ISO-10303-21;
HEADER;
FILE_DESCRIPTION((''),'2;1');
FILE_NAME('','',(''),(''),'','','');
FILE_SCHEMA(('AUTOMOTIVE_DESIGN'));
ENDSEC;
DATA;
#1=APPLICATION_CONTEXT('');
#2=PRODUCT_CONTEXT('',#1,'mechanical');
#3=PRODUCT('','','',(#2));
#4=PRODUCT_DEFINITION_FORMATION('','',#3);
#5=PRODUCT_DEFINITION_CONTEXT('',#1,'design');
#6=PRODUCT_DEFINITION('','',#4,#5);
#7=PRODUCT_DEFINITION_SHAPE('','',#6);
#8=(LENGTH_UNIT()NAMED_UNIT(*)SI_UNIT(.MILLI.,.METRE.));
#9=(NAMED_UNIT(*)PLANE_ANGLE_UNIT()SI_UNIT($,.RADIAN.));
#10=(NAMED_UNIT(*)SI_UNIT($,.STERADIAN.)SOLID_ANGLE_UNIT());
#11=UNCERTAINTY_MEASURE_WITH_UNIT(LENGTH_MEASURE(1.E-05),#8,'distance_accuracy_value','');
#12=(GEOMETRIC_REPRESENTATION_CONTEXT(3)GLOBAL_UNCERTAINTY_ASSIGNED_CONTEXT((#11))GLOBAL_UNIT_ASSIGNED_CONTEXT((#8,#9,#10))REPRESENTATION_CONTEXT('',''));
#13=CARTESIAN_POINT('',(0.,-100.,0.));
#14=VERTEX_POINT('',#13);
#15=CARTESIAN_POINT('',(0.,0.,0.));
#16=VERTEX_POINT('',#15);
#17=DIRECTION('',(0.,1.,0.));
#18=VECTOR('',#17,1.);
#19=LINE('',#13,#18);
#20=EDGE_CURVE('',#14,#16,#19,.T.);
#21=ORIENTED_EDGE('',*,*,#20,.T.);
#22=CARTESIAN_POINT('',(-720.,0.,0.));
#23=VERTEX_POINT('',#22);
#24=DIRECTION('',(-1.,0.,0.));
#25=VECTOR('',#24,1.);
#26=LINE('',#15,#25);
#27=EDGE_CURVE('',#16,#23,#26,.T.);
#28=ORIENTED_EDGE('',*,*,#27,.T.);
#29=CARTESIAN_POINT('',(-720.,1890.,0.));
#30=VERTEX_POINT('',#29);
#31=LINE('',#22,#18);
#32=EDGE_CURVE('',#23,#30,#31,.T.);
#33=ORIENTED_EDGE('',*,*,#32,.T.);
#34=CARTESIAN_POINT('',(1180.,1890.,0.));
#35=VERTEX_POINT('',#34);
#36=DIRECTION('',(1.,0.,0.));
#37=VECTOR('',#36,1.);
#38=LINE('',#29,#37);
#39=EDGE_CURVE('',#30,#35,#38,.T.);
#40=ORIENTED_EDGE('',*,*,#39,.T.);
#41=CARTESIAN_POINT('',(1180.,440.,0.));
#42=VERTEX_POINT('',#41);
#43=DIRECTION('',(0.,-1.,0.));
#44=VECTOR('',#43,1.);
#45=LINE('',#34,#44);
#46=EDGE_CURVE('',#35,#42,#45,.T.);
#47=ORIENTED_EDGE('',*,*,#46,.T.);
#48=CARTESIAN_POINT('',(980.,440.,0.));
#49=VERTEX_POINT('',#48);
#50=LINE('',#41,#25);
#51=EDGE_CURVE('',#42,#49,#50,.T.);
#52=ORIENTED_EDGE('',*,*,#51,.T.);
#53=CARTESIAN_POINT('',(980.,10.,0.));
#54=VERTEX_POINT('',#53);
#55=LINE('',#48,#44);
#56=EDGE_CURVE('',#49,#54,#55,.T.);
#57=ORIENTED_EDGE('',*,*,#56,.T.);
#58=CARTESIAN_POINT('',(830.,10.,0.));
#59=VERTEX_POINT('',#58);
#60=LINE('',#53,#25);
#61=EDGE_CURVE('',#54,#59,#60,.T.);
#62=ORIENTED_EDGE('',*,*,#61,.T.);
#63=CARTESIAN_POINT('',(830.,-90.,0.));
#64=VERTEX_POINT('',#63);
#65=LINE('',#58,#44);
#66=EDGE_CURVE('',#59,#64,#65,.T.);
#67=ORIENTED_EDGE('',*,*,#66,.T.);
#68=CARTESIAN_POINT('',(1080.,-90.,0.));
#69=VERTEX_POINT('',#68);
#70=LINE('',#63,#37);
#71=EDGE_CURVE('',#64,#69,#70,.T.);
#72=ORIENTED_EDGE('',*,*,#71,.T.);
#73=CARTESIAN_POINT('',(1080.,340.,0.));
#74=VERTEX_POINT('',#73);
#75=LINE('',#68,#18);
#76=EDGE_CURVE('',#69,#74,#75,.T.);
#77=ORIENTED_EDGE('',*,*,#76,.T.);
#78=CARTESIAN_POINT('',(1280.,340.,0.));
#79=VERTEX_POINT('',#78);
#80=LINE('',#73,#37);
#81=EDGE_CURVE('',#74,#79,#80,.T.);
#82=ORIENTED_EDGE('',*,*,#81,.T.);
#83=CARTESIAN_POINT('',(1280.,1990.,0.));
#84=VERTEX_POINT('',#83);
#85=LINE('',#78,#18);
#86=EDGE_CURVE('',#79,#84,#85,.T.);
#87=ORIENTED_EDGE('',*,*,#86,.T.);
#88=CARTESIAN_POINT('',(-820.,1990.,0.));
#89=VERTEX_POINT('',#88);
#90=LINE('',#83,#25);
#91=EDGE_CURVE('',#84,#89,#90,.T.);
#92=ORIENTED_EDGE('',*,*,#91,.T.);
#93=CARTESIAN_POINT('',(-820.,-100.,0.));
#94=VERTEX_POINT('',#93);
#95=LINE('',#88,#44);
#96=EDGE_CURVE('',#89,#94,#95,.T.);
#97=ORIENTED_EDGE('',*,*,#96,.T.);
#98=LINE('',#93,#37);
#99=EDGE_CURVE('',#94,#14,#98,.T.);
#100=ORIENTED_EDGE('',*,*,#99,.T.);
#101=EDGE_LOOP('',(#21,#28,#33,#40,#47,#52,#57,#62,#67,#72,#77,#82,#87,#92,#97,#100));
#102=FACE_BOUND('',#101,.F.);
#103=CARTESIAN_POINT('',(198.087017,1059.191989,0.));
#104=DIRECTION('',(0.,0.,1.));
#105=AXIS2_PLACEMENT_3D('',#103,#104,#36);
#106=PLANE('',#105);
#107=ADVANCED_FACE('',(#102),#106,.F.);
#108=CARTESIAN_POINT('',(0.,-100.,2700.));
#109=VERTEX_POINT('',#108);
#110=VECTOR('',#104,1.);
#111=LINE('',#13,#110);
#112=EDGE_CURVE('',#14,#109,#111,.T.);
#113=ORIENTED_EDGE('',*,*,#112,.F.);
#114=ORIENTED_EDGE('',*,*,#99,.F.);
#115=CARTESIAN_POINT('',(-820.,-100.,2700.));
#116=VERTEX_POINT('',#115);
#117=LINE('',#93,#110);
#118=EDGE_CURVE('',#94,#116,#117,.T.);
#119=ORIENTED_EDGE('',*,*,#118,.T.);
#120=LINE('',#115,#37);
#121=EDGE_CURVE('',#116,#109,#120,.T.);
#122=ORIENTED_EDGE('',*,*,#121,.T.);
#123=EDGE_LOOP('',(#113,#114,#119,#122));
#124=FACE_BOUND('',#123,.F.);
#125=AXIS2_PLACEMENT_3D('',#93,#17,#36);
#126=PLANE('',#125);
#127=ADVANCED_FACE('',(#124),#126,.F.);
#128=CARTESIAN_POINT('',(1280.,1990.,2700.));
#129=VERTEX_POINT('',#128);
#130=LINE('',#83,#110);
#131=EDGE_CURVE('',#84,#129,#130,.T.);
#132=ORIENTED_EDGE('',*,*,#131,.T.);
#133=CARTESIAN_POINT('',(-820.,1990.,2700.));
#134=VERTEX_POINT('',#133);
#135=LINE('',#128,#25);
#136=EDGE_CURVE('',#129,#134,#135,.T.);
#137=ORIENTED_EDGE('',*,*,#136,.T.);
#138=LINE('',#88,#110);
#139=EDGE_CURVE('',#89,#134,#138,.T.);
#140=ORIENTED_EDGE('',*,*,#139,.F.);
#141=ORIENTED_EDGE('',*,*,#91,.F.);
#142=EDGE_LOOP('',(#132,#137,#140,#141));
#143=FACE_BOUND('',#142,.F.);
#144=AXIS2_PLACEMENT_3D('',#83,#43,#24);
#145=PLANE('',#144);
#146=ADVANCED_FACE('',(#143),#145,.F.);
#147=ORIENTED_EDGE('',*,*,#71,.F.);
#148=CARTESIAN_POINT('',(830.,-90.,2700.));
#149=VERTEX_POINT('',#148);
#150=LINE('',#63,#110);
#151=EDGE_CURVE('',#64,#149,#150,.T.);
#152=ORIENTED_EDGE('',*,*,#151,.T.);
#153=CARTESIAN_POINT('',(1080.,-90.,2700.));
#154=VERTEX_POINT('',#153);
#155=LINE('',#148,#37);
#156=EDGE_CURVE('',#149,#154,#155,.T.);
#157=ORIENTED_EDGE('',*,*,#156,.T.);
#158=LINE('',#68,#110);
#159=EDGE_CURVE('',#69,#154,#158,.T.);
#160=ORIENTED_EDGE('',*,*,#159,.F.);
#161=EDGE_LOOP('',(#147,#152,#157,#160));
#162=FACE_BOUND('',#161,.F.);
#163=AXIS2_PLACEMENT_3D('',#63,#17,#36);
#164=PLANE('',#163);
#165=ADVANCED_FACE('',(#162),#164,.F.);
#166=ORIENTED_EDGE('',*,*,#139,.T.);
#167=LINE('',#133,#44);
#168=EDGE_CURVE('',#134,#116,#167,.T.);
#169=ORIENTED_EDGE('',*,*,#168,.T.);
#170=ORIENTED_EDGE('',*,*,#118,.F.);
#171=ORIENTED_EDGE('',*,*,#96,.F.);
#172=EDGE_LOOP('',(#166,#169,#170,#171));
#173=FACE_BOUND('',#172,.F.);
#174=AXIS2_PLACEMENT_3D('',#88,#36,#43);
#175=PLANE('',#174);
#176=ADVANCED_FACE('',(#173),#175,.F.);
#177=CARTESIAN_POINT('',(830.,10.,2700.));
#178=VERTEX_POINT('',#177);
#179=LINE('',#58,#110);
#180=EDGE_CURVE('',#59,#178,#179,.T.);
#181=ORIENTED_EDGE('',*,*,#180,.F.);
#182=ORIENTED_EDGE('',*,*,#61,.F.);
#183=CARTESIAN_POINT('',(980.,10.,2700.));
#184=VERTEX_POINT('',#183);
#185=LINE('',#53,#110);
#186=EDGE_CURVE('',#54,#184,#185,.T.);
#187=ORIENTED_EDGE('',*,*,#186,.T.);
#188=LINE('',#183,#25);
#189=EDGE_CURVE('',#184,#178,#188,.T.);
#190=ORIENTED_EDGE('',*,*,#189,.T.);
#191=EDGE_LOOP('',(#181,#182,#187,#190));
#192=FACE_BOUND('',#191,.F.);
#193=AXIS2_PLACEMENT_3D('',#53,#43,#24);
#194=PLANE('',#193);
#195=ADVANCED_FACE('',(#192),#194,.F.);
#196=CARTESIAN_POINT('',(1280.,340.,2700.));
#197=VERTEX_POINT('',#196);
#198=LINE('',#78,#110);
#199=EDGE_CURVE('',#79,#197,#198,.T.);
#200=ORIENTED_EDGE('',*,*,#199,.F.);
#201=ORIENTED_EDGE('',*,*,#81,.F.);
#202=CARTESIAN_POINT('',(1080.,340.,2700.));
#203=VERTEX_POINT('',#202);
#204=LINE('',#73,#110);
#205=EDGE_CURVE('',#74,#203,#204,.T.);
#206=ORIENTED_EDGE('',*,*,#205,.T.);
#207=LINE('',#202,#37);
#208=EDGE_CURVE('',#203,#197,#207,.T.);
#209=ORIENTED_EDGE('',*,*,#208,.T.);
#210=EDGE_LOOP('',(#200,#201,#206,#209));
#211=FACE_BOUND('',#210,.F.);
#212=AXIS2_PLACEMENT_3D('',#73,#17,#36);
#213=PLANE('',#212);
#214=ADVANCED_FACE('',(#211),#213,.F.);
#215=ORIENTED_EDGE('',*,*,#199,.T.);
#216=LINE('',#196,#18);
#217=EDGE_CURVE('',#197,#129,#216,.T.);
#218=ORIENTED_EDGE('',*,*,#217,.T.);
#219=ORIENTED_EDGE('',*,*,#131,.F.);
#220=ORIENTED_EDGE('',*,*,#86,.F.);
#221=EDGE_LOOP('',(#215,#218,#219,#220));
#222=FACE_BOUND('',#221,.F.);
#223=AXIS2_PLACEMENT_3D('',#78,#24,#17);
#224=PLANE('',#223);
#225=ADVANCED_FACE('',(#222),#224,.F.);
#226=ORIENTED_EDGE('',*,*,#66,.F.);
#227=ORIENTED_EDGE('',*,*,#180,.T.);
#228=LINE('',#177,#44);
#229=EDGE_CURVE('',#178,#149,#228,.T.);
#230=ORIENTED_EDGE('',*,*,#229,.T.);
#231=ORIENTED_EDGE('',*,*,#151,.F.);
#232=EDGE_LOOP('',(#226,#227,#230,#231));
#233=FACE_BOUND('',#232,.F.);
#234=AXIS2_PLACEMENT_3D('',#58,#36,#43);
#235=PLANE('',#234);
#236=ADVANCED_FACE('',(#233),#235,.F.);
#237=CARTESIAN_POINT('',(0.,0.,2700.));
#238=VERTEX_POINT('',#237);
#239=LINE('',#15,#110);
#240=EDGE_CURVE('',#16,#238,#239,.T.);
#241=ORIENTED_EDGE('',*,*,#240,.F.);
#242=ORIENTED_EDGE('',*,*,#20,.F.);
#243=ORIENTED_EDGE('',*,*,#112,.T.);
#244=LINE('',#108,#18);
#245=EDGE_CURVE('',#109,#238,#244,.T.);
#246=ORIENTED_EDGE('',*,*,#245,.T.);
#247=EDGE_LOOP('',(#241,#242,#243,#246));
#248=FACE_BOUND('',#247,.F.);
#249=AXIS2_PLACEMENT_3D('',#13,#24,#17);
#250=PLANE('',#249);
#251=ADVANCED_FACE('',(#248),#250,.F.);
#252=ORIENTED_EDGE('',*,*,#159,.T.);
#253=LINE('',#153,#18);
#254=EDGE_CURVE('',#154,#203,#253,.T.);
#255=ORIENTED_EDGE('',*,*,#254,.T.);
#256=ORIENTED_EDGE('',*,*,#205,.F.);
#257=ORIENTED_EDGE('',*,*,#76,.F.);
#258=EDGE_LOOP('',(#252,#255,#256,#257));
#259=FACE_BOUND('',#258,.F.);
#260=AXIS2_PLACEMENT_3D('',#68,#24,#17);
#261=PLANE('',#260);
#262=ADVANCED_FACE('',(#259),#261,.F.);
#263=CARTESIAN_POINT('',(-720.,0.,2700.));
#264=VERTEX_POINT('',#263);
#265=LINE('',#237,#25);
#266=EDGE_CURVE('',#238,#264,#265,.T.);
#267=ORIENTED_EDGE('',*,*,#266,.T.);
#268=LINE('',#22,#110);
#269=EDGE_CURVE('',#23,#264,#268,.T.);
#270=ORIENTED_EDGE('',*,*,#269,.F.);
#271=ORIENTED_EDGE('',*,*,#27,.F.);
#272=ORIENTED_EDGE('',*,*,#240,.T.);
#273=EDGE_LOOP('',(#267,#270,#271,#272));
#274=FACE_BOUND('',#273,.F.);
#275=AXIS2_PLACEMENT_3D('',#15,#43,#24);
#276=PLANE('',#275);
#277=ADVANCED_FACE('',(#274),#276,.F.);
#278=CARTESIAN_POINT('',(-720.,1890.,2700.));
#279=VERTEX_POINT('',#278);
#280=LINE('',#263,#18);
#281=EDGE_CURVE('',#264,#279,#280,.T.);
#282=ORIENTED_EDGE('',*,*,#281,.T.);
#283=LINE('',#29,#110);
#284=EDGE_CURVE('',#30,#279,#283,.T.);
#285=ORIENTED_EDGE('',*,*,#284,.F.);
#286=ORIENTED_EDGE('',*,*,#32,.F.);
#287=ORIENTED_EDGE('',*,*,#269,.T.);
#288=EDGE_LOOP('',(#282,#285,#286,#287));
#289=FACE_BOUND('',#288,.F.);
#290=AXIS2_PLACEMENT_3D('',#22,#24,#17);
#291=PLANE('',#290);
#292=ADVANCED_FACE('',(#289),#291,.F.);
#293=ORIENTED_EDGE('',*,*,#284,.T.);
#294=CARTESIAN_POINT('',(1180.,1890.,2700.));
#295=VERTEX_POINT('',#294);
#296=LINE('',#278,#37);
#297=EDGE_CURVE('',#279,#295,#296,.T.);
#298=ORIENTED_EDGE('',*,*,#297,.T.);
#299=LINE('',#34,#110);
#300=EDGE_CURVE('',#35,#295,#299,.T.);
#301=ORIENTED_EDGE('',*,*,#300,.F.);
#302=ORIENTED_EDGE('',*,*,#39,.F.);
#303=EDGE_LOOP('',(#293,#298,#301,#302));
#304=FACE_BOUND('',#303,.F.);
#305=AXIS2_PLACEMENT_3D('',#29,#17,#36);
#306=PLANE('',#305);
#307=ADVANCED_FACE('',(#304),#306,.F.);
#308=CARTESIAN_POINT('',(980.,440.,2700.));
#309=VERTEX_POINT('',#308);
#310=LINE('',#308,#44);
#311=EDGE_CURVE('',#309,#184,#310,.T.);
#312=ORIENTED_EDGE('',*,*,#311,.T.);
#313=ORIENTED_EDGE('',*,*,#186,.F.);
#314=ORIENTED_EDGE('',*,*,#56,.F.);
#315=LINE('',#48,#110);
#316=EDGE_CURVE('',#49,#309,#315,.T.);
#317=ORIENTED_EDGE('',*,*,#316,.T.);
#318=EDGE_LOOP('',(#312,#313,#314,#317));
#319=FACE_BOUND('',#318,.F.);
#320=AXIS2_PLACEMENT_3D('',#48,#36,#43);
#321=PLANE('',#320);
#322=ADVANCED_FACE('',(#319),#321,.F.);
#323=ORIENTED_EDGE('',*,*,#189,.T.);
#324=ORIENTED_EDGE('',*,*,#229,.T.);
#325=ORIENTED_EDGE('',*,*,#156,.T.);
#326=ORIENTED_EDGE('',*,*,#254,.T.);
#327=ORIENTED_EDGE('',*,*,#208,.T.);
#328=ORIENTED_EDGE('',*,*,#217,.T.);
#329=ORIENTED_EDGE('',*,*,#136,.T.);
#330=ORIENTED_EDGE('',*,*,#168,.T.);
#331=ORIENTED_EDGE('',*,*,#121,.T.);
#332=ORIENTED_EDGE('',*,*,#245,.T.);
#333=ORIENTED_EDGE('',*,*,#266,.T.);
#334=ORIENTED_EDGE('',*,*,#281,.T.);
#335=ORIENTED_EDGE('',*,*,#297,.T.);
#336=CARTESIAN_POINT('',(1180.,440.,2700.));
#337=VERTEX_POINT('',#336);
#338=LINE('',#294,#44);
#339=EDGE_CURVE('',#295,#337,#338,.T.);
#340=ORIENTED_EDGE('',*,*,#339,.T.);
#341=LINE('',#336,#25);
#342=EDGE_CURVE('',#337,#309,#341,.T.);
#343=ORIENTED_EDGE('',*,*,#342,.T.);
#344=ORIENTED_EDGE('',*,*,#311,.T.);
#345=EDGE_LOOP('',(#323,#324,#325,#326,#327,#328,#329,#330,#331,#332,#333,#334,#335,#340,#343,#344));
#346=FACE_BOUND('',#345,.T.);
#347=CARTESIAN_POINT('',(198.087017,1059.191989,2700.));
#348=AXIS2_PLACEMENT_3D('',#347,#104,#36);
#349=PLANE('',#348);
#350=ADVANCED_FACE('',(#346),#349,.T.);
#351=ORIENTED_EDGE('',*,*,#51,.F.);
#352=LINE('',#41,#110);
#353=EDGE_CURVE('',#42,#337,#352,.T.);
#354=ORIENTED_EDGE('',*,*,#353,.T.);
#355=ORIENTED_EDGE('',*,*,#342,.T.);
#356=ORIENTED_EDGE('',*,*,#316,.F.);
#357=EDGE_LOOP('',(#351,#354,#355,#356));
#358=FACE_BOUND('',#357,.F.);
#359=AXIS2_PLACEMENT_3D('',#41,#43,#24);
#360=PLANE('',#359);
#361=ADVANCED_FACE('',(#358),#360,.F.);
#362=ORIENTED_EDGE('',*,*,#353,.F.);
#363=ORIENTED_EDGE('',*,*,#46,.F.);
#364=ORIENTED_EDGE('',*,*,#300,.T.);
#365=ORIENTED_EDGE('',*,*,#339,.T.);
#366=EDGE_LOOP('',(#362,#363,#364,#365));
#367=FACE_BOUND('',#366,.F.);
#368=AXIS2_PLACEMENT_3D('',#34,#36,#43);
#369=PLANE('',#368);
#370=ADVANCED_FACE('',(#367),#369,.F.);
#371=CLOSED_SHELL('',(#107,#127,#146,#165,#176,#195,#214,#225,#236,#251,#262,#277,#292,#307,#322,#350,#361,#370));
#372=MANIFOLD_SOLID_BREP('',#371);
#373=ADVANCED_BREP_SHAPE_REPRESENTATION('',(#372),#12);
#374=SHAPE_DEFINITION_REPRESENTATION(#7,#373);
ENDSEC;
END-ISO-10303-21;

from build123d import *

# Parameters (mm, degrees)
F1_DEPTH = 2700


with BuildPart() as f1:
    # F0 (on Top) → F1 (new body)
    with BuildSketch(Plane.XY):
        Polygon((0, -100), (0, 0), (-720, 0), (-720, 1890), (1180, 1890), (1180, 440), (980, 440), (980, 10), (830, 10), (830, -90), (1080, -90), (1080, 340), (1280, 340), (1280, 1990), (-820, 1990), (-820, -100), align=None)
    extrude(amount=F1_DEPTH)


solid = f1.part
